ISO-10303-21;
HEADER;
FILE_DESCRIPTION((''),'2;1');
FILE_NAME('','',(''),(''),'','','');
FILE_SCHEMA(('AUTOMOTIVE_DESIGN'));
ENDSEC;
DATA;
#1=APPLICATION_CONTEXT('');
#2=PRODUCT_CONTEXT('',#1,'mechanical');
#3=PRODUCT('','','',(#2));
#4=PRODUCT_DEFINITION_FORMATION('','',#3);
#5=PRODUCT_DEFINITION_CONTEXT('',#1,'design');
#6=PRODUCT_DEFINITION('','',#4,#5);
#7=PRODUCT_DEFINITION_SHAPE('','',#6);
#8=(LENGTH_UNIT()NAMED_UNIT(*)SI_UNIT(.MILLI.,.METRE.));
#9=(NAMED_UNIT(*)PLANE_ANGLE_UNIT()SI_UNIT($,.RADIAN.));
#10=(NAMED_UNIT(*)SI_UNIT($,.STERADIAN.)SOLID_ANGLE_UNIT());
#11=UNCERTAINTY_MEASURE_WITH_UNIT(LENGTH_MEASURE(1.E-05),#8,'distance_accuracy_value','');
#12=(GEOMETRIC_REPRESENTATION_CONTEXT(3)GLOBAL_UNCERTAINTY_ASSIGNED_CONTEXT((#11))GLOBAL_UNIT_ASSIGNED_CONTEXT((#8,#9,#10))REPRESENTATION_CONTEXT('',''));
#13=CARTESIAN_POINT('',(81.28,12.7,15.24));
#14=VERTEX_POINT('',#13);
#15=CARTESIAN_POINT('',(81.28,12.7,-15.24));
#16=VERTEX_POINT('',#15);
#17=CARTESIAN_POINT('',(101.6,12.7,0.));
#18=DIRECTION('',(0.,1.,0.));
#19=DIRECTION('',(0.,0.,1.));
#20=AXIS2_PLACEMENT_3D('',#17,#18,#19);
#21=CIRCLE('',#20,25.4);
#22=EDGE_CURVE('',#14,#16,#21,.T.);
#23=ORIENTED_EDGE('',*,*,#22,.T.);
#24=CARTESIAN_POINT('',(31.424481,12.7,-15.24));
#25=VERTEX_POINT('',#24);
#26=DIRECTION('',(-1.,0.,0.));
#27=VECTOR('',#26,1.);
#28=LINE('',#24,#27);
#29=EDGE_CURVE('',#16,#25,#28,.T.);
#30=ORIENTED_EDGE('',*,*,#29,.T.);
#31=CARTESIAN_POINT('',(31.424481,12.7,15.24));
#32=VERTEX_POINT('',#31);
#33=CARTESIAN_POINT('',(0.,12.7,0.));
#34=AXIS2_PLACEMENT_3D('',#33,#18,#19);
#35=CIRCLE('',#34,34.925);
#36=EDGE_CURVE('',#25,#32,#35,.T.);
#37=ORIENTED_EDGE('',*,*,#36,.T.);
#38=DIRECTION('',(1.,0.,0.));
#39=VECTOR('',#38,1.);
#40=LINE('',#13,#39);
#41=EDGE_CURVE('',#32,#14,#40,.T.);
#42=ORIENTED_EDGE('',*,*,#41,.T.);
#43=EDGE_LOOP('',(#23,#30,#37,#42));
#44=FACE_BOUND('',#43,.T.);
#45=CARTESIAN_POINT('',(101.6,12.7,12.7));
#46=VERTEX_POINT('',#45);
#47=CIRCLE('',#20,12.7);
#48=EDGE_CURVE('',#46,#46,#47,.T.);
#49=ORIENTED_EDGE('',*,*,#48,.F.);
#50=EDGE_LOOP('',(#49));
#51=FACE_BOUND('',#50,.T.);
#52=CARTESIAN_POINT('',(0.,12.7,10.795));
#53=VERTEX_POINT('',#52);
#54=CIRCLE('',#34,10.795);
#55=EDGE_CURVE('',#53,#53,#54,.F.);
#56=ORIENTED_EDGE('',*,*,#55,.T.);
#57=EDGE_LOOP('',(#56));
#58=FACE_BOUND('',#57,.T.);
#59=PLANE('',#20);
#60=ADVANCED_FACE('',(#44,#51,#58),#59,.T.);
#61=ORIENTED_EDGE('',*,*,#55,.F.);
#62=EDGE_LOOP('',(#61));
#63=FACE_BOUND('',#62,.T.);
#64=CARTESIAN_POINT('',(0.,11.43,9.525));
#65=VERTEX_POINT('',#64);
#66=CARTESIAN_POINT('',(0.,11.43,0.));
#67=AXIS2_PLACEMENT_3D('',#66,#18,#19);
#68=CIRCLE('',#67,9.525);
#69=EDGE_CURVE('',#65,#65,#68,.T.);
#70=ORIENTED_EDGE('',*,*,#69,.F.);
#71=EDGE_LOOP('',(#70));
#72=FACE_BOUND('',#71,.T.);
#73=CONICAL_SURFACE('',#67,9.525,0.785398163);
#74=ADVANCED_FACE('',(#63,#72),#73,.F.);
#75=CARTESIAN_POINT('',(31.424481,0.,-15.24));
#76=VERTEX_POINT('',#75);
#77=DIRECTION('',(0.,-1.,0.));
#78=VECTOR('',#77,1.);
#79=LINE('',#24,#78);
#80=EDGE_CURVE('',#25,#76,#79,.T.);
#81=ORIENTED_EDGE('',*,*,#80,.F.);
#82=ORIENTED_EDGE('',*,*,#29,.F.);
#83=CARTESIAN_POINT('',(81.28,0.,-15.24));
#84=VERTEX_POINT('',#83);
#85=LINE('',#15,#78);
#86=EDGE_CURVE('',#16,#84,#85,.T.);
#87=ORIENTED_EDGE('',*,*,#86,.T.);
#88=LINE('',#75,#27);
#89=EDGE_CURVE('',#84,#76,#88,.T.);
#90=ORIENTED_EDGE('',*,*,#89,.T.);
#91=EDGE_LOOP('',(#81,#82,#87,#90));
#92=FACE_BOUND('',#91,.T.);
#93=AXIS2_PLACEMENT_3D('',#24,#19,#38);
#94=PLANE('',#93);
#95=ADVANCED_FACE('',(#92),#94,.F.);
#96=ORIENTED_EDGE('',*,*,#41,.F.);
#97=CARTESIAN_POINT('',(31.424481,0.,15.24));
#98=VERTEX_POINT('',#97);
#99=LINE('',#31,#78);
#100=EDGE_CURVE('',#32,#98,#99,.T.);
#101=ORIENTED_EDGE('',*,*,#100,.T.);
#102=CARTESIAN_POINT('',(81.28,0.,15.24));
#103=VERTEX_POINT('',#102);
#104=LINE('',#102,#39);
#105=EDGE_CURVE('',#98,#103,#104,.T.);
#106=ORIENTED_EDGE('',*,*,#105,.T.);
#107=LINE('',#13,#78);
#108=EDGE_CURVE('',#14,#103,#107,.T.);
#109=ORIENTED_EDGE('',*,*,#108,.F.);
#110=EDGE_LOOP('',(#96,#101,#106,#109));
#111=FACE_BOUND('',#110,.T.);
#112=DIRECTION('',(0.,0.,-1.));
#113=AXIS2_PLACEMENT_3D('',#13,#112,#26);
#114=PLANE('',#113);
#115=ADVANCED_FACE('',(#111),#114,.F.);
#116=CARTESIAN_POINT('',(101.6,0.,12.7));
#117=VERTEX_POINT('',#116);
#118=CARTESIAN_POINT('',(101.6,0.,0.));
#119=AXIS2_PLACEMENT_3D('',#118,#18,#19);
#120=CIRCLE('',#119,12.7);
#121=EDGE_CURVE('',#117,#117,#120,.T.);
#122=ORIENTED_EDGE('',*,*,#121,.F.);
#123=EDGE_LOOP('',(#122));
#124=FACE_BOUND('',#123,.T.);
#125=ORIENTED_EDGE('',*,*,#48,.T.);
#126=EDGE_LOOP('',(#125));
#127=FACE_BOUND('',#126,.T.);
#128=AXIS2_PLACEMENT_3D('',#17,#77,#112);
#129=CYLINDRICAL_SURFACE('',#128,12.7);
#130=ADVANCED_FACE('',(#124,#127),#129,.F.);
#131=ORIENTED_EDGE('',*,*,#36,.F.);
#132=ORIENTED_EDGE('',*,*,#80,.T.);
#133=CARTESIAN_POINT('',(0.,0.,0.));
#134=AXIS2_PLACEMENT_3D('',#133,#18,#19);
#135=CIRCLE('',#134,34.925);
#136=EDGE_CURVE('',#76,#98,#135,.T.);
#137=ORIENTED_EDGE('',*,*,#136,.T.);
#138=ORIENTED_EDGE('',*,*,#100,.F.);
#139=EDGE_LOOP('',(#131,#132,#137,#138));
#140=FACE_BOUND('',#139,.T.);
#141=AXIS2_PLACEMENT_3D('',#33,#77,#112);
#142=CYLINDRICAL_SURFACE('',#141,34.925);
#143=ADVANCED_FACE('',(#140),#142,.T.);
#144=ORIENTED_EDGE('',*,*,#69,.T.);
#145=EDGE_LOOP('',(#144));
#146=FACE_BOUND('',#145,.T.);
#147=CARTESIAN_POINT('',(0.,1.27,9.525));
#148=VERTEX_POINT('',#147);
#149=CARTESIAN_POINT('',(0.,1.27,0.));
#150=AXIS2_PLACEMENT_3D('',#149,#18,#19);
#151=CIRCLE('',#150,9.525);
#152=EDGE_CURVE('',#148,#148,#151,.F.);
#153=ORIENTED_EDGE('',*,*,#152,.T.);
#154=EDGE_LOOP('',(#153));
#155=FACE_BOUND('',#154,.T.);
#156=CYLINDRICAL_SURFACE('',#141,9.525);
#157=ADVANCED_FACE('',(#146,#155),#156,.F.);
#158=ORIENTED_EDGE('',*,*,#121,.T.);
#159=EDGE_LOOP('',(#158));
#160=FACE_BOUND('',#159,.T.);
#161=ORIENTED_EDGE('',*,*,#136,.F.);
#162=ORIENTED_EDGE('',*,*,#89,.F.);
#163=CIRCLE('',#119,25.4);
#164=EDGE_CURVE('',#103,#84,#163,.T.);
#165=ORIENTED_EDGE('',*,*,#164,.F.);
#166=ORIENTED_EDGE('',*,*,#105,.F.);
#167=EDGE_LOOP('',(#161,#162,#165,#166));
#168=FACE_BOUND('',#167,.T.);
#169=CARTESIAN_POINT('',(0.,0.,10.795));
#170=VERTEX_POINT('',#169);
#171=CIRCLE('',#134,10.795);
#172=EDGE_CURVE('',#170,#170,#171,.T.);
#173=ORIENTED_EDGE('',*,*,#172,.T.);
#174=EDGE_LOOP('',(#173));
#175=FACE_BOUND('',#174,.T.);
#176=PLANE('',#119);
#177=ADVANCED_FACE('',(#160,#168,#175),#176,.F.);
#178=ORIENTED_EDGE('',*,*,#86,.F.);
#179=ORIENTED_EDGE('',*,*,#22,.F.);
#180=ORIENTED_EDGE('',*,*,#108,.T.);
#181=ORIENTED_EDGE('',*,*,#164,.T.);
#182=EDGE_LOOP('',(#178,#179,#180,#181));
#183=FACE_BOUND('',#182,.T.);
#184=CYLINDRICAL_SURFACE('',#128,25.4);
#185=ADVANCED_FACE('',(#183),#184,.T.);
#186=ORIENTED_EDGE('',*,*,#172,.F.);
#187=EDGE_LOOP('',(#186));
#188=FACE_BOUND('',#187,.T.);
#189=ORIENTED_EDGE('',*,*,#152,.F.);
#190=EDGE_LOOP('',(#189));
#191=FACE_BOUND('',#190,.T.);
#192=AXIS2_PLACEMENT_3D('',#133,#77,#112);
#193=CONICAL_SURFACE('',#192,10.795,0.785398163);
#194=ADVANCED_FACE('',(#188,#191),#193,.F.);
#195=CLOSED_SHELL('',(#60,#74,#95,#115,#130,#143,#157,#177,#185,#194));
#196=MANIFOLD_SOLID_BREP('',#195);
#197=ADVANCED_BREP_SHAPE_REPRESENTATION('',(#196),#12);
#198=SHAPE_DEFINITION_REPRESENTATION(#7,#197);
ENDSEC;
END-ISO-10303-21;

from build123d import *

# Parameters (mm, degrees)
SKETCH1_R           = 9.525
SKETCH1_R_2         = 12.7
BOSS_EXTRUDE1_DEPTH = 12.7
CHAMFER1_SIZE       = 1.27


with BuildPart() as part:
    # Sketch1 → Boss-Extrude1 (new body)
    with BuildSketch(Plane(origin=(0, 0, 0), x_dir=(1, 0, 0), z_dir=(0, 1, 0))):
        with BuildLine():
            Line((31.4244813, 15.24), (81.28, 15.24))
            ThreePointArc((81.28, 15.24), (127, 0), (81.28, -15.24))
            Line((81.28, -15.24), (31.4244813, -15.24))
            ThreePointArc((31.4244813, -15.24), (-34.925, 0), (31.4244813, 15.24))
        make_face()
        with Locations(Location((0, 0, 0), (0, 0, 270))):
            Circle(SKETCH1_R, mode=Mode.SUBTRACT)
        with Locations(Location((101.6, 0, 0), (0, 0, 270))):
            Circle(SKETCH1_R_2, mode=Mode.SUBTRACT)
    extrude(amount=BOSS_EXTRUDE1_DEPTH)

    # Chamfer1
    chamfer1_edges = [part.edges().sort_by_distance(p)[0] for p in [
        (0, 0, -9.525),
        (0, 12.7, -9.525),
    ]]
    chamfer(chamfer1_edges, length=CHAMFER1_SIZE)


solid = part.part
